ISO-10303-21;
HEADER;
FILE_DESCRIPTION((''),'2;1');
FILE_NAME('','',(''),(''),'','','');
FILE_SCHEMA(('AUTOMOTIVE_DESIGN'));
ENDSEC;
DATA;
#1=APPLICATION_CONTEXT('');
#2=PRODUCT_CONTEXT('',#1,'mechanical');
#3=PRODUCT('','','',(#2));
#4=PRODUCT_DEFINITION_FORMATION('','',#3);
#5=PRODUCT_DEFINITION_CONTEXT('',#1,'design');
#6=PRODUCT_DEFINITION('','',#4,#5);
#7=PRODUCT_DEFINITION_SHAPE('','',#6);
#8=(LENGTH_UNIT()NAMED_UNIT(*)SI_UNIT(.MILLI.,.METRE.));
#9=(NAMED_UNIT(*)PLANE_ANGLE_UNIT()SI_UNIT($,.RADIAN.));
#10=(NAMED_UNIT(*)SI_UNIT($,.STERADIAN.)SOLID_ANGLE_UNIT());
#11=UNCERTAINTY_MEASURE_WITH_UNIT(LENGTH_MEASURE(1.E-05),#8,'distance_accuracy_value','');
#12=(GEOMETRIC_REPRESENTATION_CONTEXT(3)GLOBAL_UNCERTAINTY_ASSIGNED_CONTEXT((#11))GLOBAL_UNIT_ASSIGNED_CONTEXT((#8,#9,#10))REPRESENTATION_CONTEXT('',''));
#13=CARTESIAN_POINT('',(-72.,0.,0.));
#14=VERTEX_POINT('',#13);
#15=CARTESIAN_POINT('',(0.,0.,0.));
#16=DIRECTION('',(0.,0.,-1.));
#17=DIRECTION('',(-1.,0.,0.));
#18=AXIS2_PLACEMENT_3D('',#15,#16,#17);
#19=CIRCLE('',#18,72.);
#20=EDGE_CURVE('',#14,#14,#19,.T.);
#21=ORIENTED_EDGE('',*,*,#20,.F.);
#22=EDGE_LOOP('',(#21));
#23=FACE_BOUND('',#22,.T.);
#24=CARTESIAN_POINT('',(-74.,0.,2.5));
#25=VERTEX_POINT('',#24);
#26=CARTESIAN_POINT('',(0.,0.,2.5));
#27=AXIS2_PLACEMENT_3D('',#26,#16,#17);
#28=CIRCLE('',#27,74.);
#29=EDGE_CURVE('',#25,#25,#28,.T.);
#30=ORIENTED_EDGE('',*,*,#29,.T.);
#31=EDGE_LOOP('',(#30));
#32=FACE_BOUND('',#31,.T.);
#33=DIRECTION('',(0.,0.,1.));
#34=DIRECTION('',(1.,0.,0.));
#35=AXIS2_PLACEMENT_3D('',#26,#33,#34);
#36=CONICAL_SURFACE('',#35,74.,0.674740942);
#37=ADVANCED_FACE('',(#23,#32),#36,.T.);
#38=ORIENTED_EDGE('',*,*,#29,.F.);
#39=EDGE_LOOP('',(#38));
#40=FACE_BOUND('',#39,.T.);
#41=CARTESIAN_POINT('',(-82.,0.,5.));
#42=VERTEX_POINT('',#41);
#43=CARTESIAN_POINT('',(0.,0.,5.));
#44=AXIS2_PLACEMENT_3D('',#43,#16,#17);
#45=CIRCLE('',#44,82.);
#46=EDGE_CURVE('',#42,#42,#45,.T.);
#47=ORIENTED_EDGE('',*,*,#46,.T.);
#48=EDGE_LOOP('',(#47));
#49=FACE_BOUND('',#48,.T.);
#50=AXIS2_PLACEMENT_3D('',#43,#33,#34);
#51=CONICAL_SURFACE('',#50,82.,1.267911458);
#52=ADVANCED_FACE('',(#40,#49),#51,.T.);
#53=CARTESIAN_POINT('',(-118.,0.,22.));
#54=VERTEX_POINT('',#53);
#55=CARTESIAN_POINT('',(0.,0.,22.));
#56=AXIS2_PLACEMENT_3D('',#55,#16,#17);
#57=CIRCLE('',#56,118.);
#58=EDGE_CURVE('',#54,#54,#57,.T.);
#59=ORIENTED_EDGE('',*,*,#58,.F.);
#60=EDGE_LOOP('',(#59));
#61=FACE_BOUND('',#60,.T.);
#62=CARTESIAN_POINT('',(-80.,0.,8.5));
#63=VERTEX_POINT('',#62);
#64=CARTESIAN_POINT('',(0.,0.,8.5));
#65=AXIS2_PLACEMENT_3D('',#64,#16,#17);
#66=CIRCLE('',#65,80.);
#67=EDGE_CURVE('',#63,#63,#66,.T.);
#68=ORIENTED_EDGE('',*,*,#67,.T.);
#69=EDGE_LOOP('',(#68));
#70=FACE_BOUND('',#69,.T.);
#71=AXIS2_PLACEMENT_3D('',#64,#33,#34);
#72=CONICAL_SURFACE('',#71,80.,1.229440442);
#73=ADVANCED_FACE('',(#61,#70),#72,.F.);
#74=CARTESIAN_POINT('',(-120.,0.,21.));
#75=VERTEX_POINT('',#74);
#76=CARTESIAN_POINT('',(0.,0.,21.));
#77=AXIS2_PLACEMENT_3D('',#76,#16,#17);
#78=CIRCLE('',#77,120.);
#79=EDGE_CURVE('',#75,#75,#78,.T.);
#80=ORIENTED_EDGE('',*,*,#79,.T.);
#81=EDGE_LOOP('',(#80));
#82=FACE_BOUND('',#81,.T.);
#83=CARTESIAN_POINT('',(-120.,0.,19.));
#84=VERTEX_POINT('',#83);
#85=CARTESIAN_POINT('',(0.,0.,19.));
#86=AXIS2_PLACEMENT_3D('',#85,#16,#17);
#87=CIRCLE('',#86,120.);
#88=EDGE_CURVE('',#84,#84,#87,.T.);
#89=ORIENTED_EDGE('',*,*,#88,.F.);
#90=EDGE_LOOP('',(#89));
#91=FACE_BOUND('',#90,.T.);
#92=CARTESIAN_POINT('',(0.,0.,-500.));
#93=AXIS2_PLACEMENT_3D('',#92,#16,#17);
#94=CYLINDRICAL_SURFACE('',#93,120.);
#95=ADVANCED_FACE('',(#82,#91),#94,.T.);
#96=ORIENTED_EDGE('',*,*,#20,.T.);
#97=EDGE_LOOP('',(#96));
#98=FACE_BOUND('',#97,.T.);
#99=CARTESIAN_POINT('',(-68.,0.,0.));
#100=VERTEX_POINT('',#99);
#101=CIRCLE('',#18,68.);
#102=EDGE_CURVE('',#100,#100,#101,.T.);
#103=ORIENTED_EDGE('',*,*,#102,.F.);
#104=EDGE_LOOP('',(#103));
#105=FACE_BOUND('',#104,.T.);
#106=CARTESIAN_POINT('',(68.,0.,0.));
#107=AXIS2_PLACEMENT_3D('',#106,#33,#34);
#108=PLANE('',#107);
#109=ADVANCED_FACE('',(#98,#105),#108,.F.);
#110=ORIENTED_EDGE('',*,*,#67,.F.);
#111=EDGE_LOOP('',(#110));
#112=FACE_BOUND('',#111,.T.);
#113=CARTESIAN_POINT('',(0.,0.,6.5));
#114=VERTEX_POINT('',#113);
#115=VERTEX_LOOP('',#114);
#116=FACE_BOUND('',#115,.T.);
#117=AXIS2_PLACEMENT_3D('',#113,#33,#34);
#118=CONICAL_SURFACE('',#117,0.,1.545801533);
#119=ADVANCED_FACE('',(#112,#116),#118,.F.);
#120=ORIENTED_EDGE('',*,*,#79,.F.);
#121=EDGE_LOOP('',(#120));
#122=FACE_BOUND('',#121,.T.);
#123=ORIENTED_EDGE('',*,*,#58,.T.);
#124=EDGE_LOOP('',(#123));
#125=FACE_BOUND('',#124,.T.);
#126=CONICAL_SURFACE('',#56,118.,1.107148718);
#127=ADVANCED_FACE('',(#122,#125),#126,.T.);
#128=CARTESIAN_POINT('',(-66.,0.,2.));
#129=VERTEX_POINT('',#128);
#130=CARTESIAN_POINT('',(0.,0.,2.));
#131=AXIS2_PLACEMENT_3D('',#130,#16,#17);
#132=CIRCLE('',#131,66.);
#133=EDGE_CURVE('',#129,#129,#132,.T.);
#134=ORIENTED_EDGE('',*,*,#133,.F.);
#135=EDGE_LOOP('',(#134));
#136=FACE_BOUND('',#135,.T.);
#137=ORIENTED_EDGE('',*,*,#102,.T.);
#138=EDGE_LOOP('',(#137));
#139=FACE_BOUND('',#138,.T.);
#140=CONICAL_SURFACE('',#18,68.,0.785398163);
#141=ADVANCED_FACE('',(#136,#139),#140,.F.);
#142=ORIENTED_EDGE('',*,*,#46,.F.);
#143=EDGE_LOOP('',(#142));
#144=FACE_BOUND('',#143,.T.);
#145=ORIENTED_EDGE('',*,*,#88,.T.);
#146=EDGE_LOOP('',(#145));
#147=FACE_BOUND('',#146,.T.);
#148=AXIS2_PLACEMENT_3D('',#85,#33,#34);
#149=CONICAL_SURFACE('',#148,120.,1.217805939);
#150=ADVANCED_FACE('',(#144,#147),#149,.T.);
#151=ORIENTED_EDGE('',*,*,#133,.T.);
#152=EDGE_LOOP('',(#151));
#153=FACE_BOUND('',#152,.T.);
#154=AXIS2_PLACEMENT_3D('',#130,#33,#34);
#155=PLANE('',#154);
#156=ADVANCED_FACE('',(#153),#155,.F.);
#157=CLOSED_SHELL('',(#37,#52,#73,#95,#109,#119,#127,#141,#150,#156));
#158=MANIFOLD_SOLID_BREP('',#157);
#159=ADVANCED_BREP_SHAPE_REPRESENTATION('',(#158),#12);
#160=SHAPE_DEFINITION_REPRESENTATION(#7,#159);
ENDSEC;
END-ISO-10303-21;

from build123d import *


with BuildPart() as part:
    # Sketch1 → Revolve1 (revolve)
    with BuildSketch(Plane(origin=(0, 0, 0), x_dir=(-1, 0, 0), z_dir=(0, 1, 0)), mode=Mode.PRIVATE) as revolve1_sk:
        Polygon((0, 2), (-66, 2), (-68, 0), (-72, 0), (-74, 2.5), (-82, 5), (-120, 19), (-120, 21), (-118, 22), (-80, 8.5), (0, 6.5), align=None)
    revolve(revolve1_sk.sketch.rotate(Axis((0, 0, -500), (0, 0, 1)), 180), axis=Axis((0, 0, -500), (0, 0, 1)))


solid = part.part
